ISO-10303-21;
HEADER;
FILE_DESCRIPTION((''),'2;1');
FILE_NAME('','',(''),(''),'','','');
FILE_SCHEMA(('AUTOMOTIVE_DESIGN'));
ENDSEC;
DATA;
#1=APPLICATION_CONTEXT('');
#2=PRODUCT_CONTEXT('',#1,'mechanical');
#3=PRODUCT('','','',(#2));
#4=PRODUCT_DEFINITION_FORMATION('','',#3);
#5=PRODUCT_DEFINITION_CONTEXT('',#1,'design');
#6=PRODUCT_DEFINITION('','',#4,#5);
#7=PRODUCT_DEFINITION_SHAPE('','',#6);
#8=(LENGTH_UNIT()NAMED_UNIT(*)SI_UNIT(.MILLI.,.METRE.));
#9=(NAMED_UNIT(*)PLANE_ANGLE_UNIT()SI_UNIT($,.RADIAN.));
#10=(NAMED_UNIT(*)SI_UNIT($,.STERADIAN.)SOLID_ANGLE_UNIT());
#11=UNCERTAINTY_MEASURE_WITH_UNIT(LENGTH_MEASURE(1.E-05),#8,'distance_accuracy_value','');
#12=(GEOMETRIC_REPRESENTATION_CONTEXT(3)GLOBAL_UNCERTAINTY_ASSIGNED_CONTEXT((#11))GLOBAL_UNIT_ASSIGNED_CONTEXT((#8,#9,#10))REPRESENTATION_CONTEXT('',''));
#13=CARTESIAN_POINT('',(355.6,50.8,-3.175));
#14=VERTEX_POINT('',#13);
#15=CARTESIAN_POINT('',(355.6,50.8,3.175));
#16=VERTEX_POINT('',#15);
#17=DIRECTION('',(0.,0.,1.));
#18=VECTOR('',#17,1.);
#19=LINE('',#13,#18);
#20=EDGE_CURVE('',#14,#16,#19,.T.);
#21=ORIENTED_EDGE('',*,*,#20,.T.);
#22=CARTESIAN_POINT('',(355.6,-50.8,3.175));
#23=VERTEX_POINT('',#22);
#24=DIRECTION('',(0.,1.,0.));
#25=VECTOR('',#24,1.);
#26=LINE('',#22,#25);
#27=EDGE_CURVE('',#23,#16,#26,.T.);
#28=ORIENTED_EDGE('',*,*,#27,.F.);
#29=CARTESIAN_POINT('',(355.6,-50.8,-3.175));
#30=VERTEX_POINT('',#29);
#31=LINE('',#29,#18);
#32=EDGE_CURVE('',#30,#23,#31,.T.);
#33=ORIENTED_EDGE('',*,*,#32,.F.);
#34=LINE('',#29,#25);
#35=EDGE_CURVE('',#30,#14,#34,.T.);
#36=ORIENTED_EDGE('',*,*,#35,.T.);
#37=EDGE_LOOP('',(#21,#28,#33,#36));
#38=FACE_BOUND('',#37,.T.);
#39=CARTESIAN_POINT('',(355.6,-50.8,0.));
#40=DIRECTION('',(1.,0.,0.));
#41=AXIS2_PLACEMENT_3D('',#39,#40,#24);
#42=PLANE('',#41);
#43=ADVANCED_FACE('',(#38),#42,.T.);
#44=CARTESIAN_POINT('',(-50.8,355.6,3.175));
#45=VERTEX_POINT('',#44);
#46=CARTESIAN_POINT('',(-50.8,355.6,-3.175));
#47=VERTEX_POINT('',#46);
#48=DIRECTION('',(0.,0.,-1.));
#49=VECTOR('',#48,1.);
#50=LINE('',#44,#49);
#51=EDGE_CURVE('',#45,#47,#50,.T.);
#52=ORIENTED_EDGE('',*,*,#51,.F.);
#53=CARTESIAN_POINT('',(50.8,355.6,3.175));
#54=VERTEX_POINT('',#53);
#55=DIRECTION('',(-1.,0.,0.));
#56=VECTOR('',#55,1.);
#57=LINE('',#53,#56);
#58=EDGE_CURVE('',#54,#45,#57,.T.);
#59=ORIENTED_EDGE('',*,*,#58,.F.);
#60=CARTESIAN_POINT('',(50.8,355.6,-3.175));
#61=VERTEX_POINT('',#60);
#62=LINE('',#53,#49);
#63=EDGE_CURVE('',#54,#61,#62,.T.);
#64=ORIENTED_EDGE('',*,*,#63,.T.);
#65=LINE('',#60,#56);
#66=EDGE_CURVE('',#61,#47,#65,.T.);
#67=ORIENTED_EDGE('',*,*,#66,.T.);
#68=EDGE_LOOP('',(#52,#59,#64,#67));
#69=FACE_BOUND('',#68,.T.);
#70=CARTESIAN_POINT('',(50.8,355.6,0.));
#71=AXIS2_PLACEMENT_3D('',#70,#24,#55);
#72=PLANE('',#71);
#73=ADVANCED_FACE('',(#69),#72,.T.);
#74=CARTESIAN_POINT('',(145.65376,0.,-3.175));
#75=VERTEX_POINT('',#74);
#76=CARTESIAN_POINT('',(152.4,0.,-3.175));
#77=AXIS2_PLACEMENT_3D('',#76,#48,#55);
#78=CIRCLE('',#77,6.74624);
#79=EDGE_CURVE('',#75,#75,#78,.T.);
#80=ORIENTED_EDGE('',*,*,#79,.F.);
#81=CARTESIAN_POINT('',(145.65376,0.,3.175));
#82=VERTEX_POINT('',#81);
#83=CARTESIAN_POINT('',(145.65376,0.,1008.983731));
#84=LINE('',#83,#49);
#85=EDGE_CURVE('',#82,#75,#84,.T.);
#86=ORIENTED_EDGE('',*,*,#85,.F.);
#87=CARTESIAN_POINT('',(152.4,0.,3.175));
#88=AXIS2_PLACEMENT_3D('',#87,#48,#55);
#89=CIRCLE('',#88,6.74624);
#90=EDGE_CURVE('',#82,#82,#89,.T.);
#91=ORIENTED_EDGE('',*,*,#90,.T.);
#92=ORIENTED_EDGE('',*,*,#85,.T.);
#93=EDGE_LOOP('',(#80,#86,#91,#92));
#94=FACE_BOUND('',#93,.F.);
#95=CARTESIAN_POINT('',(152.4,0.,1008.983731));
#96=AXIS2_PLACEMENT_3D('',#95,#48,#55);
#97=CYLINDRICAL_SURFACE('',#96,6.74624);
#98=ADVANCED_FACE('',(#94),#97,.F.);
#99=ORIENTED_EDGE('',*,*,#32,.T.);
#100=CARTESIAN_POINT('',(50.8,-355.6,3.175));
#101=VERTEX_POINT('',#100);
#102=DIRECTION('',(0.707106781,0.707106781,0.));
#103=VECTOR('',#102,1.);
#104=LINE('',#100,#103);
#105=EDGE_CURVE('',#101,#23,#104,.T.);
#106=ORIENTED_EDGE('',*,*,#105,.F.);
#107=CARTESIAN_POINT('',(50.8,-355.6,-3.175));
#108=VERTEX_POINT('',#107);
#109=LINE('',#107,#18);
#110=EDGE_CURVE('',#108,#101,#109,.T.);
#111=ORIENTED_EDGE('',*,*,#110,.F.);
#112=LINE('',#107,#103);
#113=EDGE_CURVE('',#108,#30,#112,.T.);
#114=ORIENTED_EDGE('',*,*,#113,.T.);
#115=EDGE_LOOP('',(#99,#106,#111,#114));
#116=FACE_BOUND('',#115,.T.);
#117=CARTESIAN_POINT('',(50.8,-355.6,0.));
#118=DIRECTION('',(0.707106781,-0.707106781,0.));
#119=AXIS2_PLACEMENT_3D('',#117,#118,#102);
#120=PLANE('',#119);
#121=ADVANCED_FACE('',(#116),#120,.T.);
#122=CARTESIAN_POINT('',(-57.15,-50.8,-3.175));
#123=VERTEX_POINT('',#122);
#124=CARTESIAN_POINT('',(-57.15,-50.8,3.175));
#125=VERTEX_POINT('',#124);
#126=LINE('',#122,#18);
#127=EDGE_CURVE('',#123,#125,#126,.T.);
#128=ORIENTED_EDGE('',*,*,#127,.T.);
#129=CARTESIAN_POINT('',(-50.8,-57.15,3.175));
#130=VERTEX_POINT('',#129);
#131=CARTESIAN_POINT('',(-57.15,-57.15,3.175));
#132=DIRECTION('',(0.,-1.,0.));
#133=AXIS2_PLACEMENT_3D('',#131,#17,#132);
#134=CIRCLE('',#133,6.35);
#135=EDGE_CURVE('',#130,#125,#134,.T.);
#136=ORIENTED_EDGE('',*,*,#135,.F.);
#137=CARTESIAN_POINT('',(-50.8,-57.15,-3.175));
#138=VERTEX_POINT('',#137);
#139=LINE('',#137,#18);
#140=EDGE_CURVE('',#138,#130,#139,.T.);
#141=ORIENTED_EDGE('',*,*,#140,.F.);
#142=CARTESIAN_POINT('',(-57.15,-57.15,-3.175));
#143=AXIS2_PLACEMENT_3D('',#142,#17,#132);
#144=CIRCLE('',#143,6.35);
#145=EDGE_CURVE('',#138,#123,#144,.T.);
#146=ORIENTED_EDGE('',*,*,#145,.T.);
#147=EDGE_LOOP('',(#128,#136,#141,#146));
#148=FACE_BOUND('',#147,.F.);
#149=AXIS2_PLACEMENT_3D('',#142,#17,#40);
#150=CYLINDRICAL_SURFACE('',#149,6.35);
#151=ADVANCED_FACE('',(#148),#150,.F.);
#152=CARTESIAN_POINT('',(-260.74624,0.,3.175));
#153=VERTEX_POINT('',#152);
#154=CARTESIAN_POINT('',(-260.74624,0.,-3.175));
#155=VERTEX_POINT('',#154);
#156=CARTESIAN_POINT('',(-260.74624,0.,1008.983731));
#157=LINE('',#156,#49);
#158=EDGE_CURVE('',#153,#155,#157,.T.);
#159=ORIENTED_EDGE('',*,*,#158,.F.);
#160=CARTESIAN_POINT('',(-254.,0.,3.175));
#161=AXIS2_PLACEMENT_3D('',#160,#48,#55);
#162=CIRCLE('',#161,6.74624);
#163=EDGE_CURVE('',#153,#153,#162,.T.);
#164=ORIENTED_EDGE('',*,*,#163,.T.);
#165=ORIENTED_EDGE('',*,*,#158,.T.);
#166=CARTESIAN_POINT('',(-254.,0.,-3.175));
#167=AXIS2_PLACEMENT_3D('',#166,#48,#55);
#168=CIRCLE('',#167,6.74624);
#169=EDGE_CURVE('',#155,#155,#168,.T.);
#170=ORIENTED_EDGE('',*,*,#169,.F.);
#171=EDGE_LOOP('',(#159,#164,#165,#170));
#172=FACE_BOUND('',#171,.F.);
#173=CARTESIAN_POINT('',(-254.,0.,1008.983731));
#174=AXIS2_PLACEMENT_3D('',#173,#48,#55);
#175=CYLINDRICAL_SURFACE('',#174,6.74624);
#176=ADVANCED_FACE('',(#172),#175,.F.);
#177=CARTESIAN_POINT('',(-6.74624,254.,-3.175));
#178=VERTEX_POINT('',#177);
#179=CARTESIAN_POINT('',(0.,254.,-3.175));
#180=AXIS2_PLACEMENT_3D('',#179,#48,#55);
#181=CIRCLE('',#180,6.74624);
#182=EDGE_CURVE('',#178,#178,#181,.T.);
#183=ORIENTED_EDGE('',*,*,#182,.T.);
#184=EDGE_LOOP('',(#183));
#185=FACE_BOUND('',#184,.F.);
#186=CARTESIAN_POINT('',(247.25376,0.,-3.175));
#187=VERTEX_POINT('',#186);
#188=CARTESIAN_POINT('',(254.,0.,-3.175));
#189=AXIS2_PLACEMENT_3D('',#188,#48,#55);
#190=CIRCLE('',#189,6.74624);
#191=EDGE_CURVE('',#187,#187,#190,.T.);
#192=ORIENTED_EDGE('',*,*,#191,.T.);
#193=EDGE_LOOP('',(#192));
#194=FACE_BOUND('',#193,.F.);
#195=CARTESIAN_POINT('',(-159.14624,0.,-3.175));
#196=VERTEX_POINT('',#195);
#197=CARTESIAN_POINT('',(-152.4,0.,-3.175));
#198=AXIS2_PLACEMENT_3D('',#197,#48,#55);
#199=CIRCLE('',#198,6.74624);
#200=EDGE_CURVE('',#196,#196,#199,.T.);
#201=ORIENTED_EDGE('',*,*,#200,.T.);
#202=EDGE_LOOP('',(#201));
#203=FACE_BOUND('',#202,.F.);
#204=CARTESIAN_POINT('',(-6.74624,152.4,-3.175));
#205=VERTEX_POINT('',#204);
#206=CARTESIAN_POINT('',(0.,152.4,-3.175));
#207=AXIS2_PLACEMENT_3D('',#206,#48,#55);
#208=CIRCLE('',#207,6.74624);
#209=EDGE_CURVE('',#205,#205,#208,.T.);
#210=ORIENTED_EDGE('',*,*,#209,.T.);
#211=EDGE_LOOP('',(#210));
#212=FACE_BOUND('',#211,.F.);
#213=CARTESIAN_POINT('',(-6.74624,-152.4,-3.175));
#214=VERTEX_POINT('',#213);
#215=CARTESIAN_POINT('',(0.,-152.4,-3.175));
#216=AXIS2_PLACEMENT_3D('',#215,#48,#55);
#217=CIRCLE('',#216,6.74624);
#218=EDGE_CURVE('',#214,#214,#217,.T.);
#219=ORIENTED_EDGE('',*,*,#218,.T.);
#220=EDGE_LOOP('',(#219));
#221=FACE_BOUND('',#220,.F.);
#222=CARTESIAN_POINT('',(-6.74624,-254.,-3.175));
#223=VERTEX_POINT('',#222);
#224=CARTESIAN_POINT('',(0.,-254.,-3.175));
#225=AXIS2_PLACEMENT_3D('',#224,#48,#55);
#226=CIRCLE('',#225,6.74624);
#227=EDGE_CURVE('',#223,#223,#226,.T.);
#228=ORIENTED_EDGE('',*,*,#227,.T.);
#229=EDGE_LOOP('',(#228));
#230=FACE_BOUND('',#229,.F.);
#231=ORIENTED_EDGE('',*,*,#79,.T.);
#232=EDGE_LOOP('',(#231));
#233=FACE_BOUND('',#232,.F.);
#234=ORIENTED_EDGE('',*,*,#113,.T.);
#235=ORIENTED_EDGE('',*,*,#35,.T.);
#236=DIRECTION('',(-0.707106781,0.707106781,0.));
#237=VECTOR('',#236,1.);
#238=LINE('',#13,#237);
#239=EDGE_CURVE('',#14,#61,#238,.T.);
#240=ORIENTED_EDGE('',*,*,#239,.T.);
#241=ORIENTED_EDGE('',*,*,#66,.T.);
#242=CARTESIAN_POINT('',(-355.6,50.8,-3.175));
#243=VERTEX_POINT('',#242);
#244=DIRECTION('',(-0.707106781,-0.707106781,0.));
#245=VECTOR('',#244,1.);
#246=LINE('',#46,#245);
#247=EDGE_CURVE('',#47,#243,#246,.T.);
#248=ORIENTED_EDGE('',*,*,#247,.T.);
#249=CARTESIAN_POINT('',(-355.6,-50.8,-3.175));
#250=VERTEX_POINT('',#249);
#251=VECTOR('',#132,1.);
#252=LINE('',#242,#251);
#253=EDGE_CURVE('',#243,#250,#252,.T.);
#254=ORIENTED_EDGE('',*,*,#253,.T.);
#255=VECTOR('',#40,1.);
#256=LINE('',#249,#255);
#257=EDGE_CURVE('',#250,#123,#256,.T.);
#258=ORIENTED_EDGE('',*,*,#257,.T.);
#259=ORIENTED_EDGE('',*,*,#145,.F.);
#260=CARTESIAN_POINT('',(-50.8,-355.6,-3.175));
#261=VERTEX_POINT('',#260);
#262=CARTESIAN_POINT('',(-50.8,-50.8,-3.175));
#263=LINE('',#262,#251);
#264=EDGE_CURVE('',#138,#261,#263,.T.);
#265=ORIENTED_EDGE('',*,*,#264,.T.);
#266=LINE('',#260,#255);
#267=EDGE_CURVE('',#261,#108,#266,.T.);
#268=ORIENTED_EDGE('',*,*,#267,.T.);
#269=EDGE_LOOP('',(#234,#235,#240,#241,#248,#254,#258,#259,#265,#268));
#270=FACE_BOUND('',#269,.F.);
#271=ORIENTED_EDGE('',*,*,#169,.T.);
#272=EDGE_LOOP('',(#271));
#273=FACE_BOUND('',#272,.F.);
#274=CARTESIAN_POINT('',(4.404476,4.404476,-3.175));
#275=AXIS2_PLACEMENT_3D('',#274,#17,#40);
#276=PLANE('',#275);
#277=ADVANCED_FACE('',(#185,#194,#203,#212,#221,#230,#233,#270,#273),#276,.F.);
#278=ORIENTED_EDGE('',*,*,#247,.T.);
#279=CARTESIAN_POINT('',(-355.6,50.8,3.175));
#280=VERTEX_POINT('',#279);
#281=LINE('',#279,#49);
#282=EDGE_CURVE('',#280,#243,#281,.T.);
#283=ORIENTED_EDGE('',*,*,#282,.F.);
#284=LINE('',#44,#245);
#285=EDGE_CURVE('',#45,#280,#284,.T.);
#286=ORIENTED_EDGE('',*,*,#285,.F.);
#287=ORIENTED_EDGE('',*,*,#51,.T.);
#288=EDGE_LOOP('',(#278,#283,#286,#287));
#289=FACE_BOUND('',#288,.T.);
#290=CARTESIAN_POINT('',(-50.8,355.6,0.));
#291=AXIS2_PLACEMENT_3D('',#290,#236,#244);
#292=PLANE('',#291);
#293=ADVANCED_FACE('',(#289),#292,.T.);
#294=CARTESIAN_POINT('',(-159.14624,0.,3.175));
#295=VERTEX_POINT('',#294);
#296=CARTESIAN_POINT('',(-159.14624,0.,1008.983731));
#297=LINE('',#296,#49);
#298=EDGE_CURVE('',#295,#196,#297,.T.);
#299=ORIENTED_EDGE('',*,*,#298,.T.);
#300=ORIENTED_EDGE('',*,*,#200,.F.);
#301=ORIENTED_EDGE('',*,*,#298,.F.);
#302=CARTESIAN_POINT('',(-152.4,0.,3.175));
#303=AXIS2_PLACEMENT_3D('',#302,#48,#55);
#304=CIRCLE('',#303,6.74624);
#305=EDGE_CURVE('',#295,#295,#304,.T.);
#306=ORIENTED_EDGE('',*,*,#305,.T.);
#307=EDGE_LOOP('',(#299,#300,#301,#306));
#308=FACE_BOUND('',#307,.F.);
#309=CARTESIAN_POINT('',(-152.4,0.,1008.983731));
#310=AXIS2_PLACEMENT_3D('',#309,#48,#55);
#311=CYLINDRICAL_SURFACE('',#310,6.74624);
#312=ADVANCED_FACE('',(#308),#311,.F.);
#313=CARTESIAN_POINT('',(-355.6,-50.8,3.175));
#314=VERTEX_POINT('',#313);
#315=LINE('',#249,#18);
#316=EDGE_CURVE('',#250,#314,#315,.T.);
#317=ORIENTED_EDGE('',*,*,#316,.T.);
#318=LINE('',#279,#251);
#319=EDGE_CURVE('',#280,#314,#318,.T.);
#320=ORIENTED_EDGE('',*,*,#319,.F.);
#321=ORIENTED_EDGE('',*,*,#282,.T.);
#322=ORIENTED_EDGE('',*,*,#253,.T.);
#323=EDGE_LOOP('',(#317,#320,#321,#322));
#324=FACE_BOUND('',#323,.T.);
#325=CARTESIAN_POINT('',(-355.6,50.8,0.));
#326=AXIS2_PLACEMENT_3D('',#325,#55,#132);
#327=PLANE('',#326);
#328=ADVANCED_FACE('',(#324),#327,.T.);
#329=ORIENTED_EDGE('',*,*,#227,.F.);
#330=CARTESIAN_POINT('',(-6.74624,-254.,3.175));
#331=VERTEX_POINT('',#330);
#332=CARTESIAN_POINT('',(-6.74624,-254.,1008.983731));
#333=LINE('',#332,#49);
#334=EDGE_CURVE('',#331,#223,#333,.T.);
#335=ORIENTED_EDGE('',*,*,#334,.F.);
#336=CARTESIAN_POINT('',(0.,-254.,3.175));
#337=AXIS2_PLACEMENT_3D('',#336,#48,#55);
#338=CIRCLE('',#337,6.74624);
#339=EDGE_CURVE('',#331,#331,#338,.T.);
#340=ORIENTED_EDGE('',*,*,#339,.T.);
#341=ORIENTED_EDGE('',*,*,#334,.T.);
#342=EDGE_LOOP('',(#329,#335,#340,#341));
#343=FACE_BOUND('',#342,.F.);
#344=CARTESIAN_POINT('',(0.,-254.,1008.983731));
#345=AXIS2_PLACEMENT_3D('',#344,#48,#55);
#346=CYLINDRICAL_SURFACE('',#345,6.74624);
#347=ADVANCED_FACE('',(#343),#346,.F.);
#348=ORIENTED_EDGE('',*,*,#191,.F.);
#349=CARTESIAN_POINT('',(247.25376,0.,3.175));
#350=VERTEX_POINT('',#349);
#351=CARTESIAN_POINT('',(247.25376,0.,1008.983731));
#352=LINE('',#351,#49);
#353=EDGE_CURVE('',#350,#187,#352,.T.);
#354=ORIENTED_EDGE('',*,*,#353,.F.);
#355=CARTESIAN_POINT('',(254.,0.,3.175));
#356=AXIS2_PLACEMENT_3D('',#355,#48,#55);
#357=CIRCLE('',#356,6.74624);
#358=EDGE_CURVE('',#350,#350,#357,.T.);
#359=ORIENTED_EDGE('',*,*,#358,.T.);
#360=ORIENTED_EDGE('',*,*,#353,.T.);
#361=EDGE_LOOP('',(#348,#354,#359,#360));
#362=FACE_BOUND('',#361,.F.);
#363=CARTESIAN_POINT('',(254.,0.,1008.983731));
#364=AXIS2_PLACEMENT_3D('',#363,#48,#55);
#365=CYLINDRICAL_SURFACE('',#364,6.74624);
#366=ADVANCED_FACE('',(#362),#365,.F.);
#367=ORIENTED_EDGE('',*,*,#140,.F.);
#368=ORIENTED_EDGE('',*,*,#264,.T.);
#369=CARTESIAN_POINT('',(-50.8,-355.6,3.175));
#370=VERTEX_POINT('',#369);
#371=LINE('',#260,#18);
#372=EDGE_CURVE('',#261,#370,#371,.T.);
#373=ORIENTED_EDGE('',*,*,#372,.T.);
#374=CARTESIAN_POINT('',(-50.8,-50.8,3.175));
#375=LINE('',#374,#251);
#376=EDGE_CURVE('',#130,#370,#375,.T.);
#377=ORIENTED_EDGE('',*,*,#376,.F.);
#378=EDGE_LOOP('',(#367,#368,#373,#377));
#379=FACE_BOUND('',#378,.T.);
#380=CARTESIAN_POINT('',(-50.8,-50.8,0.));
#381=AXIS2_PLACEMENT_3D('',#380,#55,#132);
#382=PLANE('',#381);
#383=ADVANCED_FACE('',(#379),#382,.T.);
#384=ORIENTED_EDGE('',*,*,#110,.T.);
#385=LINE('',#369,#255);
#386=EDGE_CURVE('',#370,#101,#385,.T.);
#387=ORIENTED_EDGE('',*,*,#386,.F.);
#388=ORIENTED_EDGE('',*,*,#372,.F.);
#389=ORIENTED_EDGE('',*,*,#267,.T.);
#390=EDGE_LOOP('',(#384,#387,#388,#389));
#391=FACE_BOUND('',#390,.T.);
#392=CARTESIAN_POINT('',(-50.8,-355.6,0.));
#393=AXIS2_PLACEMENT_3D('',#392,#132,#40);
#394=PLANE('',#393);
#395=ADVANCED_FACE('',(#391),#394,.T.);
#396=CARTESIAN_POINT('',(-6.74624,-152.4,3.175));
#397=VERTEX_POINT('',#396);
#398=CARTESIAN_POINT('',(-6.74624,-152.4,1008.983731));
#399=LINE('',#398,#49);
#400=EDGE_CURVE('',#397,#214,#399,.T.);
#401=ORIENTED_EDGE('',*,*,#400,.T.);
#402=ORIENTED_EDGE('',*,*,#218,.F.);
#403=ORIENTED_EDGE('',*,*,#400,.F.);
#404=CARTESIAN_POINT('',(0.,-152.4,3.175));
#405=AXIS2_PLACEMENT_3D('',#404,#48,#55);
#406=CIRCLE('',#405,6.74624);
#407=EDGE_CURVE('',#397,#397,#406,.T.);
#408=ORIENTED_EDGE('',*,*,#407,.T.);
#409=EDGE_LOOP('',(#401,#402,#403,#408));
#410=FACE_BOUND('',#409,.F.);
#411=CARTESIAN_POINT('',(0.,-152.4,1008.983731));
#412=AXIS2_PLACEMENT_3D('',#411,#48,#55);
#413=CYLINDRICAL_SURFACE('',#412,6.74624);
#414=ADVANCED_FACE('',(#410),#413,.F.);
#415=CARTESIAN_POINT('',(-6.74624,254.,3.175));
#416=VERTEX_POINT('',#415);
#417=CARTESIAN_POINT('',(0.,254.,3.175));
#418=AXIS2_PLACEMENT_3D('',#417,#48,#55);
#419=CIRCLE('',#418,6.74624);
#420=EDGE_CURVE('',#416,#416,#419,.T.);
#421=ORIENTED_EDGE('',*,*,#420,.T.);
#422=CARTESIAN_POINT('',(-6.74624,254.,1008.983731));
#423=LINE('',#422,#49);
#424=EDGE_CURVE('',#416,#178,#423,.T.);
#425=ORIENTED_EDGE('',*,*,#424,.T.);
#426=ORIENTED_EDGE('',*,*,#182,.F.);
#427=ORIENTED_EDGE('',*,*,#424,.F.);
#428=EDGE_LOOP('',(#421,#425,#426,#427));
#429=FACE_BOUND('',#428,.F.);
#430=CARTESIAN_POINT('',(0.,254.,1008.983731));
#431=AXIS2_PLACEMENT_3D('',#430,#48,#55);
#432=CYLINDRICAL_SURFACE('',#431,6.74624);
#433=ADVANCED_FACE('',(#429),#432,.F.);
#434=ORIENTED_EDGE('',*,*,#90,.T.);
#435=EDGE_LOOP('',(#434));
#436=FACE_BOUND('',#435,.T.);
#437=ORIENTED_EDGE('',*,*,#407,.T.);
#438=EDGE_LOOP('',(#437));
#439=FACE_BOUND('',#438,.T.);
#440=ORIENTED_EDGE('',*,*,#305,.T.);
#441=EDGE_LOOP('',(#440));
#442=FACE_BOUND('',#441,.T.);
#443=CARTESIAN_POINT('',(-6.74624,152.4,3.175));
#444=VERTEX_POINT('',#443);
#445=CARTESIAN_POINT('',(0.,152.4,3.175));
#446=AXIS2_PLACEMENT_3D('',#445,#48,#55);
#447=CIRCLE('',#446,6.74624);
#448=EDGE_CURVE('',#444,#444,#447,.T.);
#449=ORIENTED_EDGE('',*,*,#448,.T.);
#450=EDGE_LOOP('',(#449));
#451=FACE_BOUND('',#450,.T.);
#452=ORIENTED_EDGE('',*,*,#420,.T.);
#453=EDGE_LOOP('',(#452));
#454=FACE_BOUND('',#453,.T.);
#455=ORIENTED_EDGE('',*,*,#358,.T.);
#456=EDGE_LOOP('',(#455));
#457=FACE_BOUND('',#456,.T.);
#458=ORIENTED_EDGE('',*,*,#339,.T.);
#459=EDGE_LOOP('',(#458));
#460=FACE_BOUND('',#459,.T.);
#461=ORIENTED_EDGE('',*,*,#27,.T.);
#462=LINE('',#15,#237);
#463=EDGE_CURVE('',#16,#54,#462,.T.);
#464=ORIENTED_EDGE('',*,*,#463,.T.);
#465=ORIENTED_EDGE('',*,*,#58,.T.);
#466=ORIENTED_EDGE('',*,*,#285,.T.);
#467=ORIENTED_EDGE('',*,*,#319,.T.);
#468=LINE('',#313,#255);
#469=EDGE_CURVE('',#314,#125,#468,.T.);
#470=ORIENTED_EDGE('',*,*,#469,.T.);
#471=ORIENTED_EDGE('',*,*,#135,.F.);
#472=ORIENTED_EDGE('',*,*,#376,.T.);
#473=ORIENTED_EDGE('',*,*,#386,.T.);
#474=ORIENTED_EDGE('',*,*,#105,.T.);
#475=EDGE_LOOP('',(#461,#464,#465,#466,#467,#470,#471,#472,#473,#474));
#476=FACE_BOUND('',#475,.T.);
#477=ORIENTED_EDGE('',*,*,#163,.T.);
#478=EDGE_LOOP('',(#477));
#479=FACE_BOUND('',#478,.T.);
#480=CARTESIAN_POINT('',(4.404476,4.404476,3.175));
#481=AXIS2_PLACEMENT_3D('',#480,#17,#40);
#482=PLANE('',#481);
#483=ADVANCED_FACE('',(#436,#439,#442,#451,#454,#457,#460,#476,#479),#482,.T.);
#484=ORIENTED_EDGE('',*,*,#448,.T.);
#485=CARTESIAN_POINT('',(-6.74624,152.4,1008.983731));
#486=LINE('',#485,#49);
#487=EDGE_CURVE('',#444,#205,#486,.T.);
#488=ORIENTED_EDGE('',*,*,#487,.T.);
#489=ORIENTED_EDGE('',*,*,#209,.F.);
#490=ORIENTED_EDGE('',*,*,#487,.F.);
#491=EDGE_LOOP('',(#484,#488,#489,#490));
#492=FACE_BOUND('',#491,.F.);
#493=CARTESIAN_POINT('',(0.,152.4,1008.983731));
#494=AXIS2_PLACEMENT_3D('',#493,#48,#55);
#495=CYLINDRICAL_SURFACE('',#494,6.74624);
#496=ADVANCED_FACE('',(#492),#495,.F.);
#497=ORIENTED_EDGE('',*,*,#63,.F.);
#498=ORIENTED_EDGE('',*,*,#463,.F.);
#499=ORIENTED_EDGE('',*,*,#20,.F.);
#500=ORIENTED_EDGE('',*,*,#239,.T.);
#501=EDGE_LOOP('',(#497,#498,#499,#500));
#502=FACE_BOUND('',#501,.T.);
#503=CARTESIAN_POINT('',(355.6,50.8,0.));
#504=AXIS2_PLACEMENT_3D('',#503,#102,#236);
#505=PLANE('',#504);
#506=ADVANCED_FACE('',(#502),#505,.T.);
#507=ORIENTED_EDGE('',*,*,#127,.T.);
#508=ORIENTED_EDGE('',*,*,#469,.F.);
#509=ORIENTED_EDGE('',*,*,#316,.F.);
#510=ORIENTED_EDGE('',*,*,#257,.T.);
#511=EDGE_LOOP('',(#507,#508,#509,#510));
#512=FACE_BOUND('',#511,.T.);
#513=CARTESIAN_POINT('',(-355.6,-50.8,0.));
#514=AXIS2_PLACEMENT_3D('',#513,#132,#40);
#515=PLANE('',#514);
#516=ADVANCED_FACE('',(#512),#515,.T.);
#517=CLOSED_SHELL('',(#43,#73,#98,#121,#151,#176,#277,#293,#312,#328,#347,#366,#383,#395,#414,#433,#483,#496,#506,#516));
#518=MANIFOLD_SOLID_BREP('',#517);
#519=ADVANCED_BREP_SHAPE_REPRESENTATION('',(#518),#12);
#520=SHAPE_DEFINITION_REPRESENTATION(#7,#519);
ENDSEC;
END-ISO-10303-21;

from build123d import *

# Parameters (mm, degrees)
F1_DEPTH = 3.175
F2_R     = 6.35
F5_D     = 13.49248


with BuildPart() as f1:
    # F0 (on Top) → F1 (new body, symmetric)
    with BuildSketch(Plane.XY):
        Polygon((-355.6, 50.8), (-355.6, -50.8), (-50.8, -50.8), (-50.8, -355.6), (50.8, -355.6), (355.6, -50.8), (355.6, 50.8), (50.8, 355.6), (-50.8, 355.6), align=None)
    extrude(amount=F1_DEPTH, both=True)

    # F2
    f2_edges = [f1.edges().sort_by_distance(p)[0] for p in [
        (-50.8, -50.8, 0),
    ]]
    fillet(f2_edges, radius=F2_R)

    # F5 (through all)
    with Locations(Plane.XY.offset(3.175)):
        with Locations((0, -254), (0, -152.4), (152.4, 0), (254, 0), (0, 152.4), (0, 254), (-152.4, 0), (-254, 0)):
            Hole(F5_D / 2)


solid = f1.part
